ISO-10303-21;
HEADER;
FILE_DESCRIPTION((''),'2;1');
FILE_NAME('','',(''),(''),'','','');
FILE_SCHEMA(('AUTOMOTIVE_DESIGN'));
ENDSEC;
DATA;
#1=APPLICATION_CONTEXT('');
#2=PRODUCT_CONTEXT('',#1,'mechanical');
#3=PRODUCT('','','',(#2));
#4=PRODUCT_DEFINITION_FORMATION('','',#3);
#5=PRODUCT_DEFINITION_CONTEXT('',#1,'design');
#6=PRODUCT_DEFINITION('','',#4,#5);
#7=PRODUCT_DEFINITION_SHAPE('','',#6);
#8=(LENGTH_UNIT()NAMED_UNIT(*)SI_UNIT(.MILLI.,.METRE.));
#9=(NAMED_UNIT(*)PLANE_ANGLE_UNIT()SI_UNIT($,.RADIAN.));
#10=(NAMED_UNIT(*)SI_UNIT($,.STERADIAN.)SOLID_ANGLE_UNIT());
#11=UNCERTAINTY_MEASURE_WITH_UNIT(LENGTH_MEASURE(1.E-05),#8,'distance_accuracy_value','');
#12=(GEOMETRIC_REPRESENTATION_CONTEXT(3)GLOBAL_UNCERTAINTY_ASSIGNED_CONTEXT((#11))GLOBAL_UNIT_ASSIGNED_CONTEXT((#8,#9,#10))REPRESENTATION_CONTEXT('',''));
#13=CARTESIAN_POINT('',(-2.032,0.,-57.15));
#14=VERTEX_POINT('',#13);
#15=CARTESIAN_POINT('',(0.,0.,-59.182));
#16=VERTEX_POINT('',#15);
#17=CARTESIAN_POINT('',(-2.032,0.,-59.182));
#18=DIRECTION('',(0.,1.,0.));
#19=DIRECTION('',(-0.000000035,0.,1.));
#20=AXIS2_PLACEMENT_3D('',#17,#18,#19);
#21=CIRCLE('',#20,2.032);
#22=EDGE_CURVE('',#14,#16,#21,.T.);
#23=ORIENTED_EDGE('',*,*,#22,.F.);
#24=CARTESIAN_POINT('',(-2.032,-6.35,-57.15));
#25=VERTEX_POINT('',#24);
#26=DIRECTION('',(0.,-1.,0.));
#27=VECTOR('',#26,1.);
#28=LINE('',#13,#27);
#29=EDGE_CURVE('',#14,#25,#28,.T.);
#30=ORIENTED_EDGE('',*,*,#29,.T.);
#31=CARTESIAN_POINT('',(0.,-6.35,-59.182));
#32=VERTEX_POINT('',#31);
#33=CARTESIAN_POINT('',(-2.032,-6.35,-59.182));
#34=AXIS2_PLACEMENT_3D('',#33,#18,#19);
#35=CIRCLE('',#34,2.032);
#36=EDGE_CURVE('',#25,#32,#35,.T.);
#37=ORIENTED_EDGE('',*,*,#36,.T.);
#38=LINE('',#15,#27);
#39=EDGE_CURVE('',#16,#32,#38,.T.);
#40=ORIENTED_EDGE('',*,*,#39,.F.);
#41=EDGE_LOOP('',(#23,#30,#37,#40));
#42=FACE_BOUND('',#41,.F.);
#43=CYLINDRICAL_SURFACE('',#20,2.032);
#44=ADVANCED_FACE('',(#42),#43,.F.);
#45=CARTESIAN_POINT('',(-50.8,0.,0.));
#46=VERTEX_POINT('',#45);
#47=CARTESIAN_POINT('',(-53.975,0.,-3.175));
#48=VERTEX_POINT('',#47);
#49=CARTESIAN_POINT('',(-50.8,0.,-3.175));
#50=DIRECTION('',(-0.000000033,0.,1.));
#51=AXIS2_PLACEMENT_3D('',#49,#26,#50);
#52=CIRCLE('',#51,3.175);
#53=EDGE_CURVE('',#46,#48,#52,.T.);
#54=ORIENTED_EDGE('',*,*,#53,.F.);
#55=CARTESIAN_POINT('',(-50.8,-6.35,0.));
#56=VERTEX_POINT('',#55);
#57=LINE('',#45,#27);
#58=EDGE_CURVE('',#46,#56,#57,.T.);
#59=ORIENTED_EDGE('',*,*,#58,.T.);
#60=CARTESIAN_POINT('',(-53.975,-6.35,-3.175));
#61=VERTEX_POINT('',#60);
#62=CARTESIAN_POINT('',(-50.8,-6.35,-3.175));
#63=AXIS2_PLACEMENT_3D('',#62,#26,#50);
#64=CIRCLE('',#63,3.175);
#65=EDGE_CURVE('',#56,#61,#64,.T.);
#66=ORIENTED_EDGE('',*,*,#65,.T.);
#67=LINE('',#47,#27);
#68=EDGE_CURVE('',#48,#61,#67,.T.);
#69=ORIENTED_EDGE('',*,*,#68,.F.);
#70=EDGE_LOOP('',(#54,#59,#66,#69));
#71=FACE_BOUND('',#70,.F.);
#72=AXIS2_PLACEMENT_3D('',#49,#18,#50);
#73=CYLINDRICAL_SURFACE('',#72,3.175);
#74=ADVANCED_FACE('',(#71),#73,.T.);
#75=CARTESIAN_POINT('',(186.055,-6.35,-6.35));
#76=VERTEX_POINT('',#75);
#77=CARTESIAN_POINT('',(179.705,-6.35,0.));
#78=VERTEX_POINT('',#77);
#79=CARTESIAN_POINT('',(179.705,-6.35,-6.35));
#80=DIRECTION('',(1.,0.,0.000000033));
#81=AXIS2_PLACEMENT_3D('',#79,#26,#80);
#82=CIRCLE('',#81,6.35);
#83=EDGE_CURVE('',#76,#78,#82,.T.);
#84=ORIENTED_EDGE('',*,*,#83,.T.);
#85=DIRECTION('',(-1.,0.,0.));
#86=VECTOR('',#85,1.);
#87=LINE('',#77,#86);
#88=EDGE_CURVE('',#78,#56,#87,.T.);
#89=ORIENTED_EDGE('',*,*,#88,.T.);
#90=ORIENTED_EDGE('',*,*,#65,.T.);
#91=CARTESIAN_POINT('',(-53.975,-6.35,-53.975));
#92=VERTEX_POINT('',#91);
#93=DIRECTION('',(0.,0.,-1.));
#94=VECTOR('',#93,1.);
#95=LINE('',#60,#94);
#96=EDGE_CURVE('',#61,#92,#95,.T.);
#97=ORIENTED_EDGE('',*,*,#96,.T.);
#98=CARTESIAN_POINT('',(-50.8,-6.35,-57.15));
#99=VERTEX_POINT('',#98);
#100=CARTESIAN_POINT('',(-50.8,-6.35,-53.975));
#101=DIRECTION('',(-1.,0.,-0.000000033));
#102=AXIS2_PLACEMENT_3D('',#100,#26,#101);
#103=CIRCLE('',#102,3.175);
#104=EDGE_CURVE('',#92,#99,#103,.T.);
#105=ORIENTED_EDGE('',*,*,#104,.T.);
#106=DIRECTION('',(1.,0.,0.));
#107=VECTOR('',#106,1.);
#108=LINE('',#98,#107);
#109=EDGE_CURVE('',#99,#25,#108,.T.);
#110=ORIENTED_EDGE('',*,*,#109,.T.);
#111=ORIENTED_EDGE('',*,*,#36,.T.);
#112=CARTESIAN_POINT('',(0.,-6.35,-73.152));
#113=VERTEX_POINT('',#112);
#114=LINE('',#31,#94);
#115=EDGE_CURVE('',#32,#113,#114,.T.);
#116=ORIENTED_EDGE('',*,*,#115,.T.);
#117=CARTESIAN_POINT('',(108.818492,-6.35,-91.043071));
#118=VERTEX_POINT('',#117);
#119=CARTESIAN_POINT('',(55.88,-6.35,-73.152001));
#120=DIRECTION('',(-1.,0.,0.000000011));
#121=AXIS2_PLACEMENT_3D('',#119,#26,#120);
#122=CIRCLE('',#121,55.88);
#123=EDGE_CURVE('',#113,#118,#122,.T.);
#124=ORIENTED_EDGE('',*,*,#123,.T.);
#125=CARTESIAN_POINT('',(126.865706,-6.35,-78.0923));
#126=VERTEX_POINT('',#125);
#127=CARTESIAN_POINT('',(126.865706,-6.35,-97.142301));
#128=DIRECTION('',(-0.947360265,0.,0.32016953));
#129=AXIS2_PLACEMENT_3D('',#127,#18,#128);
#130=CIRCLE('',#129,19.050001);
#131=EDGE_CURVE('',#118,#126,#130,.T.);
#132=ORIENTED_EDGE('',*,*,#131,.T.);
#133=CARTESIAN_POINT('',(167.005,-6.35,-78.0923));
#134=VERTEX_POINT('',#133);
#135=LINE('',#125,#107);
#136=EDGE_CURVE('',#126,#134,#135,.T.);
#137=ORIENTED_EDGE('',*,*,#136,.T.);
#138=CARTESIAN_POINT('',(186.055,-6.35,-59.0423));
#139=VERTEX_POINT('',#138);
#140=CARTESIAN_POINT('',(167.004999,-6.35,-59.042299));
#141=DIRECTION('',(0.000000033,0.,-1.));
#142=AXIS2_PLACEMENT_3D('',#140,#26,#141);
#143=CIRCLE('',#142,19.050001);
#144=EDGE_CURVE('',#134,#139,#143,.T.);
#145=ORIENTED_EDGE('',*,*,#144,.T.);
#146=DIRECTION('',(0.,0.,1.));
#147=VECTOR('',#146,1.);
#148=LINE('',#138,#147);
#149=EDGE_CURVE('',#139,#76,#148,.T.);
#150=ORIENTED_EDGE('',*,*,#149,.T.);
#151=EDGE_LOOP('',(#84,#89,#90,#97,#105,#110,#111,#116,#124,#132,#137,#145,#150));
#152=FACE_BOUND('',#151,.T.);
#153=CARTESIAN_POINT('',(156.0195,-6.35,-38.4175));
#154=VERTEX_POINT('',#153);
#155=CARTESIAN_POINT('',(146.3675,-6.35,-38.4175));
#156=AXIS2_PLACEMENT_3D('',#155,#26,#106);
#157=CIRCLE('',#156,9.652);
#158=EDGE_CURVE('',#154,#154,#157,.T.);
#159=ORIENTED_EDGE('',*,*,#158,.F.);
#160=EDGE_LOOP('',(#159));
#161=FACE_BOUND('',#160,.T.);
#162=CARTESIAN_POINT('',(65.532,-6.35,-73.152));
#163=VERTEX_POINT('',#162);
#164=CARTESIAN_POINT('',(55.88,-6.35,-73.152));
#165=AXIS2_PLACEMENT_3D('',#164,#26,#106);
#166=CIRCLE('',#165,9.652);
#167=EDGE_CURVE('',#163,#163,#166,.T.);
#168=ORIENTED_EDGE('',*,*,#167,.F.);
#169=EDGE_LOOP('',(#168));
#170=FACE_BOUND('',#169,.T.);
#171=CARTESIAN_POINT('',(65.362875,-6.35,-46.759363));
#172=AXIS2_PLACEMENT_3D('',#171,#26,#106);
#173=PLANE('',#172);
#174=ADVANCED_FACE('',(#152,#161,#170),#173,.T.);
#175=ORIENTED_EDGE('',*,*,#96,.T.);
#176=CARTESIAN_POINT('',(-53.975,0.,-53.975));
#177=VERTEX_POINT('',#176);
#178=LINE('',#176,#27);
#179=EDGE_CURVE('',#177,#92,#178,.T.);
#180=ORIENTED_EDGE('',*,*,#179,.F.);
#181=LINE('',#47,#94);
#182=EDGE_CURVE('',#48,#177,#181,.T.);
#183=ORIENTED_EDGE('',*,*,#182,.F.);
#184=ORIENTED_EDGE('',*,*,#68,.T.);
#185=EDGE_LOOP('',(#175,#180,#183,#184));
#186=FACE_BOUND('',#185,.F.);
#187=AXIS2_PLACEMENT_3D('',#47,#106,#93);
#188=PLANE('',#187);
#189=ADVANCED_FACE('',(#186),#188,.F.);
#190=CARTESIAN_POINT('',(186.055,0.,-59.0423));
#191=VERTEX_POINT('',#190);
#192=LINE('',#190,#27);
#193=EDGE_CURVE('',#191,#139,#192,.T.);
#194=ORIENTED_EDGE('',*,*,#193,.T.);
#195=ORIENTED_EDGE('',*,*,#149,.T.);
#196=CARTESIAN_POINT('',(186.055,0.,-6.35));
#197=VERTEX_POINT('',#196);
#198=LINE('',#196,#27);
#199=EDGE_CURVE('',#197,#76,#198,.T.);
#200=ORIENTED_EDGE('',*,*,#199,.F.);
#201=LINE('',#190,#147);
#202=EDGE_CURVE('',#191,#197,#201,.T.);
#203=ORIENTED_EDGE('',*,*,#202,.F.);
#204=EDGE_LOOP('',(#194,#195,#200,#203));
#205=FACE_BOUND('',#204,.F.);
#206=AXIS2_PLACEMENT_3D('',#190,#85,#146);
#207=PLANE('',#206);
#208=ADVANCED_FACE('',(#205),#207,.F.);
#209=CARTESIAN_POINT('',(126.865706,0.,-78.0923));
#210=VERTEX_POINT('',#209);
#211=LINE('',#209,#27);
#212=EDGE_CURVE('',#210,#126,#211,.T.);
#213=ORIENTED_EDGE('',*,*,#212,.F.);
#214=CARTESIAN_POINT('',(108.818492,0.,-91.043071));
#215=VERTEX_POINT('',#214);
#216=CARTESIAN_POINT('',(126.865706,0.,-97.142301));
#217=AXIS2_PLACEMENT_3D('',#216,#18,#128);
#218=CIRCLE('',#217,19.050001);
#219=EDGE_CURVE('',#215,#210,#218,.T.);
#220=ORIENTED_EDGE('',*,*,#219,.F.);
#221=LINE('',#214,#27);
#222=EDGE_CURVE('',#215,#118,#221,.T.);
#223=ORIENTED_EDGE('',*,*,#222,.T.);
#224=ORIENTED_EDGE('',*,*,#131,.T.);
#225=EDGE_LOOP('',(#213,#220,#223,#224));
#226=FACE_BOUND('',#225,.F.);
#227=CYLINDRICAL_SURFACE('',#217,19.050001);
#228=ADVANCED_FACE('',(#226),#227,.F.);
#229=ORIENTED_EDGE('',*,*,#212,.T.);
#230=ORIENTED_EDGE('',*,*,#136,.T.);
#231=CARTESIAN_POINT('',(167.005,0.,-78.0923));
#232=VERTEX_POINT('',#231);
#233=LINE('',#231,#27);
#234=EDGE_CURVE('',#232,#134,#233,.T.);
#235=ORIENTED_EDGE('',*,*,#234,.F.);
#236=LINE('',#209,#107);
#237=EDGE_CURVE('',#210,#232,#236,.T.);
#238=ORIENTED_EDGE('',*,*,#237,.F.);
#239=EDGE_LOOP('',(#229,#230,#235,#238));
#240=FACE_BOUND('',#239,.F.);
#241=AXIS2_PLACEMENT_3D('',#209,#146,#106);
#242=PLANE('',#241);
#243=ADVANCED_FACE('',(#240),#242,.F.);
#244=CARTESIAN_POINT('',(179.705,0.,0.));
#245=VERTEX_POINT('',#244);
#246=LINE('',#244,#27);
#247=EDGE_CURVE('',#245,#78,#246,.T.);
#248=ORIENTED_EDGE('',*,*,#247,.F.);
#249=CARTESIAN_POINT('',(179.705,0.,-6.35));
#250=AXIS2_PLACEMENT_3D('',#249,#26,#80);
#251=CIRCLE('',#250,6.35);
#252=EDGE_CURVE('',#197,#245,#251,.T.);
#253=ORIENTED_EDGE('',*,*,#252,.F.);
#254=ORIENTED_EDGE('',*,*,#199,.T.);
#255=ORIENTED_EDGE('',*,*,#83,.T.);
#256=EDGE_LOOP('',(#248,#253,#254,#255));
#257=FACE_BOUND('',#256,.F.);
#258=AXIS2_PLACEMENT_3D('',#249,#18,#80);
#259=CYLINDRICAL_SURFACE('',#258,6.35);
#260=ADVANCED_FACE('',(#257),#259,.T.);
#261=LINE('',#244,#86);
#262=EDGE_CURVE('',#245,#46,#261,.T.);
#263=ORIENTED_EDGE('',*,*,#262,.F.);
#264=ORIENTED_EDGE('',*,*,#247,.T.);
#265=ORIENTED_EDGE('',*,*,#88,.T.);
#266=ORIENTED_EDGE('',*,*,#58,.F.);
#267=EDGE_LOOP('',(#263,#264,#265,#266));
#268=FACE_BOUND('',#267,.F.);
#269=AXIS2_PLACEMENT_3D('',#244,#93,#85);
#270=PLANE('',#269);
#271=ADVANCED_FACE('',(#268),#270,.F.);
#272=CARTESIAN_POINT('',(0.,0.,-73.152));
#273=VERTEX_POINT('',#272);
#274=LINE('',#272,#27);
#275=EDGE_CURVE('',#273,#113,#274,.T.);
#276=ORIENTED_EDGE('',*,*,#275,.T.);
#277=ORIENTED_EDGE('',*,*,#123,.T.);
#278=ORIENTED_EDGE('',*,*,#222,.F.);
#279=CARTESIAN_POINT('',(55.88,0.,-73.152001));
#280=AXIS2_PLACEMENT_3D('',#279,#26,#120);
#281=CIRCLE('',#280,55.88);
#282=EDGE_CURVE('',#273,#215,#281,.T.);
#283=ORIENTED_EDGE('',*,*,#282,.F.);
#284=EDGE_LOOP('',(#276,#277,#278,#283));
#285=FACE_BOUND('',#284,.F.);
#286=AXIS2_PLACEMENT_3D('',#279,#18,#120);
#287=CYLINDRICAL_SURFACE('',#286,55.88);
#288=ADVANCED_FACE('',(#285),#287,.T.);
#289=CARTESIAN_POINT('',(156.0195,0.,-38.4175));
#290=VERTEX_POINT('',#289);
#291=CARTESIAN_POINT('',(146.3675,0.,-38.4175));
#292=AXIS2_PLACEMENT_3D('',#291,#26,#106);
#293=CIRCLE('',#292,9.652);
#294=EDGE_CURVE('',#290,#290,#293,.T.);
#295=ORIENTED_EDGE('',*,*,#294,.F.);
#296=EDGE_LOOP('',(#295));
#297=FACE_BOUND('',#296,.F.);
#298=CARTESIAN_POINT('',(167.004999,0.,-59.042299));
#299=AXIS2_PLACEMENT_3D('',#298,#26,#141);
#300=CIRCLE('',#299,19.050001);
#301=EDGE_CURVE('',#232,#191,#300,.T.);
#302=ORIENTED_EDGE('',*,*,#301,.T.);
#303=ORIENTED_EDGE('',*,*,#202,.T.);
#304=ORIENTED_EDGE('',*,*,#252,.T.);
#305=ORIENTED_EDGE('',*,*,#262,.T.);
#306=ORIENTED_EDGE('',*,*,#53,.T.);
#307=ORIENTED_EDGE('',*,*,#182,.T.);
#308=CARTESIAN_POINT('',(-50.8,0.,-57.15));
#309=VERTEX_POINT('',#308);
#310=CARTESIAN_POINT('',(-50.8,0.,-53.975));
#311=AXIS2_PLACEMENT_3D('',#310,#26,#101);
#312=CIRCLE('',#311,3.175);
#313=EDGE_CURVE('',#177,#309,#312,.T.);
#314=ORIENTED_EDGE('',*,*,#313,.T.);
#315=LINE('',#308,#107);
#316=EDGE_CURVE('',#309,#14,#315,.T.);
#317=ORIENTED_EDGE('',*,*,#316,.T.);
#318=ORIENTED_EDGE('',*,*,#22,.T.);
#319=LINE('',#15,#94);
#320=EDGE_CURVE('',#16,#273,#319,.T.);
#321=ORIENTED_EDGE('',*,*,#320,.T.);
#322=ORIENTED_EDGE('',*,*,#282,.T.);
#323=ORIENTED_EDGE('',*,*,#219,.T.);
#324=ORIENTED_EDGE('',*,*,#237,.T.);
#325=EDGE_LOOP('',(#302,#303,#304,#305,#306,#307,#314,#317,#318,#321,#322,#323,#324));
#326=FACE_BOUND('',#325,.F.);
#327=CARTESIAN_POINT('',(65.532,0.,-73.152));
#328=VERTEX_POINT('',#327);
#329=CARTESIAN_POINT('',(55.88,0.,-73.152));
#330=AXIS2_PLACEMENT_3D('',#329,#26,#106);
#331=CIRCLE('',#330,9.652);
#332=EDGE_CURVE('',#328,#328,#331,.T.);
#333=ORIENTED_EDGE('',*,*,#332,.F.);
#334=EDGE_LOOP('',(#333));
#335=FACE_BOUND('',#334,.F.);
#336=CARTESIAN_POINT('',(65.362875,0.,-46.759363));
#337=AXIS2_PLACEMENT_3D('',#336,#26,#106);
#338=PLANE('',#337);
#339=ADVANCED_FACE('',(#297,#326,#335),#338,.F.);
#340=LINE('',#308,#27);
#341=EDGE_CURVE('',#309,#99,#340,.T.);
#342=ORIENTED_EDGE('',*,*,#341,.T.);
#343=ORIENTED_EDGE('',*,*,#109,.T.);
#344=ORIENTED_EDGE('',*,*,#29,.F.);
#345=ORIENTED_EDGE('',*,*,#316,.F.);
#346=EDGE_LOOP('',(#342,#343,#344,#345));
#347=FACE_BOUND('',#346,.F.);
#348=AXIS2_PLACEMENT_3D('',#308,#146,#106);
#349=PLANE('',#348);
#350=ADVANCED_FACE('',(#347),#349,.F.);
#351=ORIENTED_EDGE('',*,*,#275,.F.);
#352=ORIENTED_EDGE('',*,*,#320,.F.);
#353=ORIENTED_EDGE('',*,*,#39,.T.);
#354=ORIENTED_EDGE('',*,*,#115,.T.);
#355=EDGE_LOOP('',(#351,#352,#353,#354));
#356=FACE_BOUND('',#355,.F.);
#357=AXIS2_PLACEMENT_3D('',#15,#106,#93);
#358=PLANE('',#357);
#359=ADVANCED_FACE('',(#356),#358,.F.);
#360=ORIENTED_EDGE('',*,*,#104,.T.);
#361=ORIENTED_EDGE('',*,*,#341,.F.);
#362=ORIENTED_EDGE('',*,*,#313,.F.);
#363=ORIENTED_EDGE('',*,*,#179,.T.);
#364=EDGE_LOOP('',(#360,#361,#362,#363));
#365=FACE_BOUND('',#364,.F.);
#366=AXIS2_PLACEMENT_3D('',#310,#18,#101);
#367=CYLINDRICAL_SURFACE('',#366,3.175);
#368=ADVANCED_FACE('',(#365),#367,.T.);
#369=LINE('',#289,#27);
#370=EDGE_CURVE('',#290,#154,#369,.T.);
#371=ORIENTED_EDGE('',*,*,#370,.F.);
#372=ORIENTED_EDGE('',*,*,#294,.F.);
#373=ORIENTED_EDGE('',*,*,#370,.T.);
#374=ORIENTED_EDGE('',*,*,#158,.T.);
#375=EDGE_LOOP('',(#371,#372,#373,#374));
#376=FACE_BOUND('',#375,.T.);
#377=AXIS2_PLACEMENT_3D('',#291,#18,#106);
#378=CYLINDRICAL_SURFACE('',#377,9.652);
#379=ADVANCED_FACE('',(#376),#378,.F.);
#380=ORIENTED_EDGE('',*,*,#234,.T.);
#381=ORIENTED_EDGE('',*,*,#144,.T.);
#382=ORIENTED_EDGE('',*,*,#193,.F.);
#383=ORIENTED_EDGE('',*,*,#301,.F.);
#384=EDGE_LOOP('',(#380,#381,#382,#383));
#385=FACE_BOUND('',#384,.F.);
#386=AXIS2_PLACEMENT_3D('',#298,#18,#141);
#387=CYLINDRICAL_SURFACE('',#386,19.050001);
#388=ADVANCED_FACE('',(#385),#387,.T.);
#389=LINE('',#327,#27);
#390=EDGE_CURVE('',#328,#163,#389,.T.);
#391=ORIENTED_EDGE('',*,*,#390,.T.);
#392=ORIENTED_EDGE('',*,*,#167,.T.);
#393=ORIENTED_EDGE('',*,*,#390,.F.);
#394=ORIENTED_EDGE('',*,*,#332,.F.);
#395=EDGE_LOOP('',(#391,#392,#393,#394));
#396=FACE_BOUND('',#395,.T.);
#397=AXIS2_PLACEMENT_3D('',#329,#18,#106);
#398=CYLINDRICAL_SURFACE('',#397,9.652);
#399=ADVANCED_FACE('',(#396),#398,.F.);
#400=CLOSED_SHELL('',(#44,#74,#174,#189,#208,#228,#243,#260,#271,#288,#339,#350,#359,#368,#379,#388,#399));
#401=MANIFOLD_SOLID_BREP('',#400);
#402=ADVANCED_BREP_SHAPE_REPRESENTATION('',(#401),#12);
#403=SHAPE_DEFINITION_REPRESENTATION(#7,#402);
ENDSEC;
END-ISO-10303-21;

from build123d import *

# Parameters (mm, degrees)
F0_R     = 9.652
F1_DEPTH = 6.35


with BuildPart() as f1:
    # F0 (on Front) → F1 (new body)
    with BuildSketch(Plane.XZ):
        with BuildLine():
            ThreePointArc((-2.032, -57.15), (-0.595159, -57.745159), (0, -59.182))
            Line((0, -59.182), (0, -73.152))
            ThreePointArc((0, -73.152), (46.814366, -128.29172), (108.818492, -91.043071))
            ThreePointArc((108.818492, -91.043071), (115.759127, -81.665013), (126.865706, -78.0923))
            Line((126.865706, -78.0923), (167.005, -78.0923))
            ThreePointArc((167.005, -78.0923), (180.475384, -72.512684), (186.055, -59.0423))
            Line((186.055, -59.0423), (186.055, -6.35))
            ThreePointArc((186.055, -6.35), (184.195128, -1.859872), (179.705, 0))
            Line((179.705, 0), (0, 0))
            Line((0, 0), (-50.8, 0))
            ThreePointArc((-50.8, 0), (-53.045064, -0.929936), (-53.975, -3.175))
            Line((-53.975, -3.175), (-53.975, -53.975))
            ThreePointArc((-53.975, -53.975), (-53.045064, -56.220064), (-50.8, -57.15))
            Line((-50.8, -57.15), (-2.032, -57.15))
        make_face()
        with Locations((55.88, -73.152)):
            Circle(F0_R, mode=Mode.SUBTRACT)
        with Locations((146.3675, -38.4175)):
            Circle(F0_R, mode=Mode.SUBTRACT)
    extrude(amount=F1_DEPTH)


solid = f1.part
